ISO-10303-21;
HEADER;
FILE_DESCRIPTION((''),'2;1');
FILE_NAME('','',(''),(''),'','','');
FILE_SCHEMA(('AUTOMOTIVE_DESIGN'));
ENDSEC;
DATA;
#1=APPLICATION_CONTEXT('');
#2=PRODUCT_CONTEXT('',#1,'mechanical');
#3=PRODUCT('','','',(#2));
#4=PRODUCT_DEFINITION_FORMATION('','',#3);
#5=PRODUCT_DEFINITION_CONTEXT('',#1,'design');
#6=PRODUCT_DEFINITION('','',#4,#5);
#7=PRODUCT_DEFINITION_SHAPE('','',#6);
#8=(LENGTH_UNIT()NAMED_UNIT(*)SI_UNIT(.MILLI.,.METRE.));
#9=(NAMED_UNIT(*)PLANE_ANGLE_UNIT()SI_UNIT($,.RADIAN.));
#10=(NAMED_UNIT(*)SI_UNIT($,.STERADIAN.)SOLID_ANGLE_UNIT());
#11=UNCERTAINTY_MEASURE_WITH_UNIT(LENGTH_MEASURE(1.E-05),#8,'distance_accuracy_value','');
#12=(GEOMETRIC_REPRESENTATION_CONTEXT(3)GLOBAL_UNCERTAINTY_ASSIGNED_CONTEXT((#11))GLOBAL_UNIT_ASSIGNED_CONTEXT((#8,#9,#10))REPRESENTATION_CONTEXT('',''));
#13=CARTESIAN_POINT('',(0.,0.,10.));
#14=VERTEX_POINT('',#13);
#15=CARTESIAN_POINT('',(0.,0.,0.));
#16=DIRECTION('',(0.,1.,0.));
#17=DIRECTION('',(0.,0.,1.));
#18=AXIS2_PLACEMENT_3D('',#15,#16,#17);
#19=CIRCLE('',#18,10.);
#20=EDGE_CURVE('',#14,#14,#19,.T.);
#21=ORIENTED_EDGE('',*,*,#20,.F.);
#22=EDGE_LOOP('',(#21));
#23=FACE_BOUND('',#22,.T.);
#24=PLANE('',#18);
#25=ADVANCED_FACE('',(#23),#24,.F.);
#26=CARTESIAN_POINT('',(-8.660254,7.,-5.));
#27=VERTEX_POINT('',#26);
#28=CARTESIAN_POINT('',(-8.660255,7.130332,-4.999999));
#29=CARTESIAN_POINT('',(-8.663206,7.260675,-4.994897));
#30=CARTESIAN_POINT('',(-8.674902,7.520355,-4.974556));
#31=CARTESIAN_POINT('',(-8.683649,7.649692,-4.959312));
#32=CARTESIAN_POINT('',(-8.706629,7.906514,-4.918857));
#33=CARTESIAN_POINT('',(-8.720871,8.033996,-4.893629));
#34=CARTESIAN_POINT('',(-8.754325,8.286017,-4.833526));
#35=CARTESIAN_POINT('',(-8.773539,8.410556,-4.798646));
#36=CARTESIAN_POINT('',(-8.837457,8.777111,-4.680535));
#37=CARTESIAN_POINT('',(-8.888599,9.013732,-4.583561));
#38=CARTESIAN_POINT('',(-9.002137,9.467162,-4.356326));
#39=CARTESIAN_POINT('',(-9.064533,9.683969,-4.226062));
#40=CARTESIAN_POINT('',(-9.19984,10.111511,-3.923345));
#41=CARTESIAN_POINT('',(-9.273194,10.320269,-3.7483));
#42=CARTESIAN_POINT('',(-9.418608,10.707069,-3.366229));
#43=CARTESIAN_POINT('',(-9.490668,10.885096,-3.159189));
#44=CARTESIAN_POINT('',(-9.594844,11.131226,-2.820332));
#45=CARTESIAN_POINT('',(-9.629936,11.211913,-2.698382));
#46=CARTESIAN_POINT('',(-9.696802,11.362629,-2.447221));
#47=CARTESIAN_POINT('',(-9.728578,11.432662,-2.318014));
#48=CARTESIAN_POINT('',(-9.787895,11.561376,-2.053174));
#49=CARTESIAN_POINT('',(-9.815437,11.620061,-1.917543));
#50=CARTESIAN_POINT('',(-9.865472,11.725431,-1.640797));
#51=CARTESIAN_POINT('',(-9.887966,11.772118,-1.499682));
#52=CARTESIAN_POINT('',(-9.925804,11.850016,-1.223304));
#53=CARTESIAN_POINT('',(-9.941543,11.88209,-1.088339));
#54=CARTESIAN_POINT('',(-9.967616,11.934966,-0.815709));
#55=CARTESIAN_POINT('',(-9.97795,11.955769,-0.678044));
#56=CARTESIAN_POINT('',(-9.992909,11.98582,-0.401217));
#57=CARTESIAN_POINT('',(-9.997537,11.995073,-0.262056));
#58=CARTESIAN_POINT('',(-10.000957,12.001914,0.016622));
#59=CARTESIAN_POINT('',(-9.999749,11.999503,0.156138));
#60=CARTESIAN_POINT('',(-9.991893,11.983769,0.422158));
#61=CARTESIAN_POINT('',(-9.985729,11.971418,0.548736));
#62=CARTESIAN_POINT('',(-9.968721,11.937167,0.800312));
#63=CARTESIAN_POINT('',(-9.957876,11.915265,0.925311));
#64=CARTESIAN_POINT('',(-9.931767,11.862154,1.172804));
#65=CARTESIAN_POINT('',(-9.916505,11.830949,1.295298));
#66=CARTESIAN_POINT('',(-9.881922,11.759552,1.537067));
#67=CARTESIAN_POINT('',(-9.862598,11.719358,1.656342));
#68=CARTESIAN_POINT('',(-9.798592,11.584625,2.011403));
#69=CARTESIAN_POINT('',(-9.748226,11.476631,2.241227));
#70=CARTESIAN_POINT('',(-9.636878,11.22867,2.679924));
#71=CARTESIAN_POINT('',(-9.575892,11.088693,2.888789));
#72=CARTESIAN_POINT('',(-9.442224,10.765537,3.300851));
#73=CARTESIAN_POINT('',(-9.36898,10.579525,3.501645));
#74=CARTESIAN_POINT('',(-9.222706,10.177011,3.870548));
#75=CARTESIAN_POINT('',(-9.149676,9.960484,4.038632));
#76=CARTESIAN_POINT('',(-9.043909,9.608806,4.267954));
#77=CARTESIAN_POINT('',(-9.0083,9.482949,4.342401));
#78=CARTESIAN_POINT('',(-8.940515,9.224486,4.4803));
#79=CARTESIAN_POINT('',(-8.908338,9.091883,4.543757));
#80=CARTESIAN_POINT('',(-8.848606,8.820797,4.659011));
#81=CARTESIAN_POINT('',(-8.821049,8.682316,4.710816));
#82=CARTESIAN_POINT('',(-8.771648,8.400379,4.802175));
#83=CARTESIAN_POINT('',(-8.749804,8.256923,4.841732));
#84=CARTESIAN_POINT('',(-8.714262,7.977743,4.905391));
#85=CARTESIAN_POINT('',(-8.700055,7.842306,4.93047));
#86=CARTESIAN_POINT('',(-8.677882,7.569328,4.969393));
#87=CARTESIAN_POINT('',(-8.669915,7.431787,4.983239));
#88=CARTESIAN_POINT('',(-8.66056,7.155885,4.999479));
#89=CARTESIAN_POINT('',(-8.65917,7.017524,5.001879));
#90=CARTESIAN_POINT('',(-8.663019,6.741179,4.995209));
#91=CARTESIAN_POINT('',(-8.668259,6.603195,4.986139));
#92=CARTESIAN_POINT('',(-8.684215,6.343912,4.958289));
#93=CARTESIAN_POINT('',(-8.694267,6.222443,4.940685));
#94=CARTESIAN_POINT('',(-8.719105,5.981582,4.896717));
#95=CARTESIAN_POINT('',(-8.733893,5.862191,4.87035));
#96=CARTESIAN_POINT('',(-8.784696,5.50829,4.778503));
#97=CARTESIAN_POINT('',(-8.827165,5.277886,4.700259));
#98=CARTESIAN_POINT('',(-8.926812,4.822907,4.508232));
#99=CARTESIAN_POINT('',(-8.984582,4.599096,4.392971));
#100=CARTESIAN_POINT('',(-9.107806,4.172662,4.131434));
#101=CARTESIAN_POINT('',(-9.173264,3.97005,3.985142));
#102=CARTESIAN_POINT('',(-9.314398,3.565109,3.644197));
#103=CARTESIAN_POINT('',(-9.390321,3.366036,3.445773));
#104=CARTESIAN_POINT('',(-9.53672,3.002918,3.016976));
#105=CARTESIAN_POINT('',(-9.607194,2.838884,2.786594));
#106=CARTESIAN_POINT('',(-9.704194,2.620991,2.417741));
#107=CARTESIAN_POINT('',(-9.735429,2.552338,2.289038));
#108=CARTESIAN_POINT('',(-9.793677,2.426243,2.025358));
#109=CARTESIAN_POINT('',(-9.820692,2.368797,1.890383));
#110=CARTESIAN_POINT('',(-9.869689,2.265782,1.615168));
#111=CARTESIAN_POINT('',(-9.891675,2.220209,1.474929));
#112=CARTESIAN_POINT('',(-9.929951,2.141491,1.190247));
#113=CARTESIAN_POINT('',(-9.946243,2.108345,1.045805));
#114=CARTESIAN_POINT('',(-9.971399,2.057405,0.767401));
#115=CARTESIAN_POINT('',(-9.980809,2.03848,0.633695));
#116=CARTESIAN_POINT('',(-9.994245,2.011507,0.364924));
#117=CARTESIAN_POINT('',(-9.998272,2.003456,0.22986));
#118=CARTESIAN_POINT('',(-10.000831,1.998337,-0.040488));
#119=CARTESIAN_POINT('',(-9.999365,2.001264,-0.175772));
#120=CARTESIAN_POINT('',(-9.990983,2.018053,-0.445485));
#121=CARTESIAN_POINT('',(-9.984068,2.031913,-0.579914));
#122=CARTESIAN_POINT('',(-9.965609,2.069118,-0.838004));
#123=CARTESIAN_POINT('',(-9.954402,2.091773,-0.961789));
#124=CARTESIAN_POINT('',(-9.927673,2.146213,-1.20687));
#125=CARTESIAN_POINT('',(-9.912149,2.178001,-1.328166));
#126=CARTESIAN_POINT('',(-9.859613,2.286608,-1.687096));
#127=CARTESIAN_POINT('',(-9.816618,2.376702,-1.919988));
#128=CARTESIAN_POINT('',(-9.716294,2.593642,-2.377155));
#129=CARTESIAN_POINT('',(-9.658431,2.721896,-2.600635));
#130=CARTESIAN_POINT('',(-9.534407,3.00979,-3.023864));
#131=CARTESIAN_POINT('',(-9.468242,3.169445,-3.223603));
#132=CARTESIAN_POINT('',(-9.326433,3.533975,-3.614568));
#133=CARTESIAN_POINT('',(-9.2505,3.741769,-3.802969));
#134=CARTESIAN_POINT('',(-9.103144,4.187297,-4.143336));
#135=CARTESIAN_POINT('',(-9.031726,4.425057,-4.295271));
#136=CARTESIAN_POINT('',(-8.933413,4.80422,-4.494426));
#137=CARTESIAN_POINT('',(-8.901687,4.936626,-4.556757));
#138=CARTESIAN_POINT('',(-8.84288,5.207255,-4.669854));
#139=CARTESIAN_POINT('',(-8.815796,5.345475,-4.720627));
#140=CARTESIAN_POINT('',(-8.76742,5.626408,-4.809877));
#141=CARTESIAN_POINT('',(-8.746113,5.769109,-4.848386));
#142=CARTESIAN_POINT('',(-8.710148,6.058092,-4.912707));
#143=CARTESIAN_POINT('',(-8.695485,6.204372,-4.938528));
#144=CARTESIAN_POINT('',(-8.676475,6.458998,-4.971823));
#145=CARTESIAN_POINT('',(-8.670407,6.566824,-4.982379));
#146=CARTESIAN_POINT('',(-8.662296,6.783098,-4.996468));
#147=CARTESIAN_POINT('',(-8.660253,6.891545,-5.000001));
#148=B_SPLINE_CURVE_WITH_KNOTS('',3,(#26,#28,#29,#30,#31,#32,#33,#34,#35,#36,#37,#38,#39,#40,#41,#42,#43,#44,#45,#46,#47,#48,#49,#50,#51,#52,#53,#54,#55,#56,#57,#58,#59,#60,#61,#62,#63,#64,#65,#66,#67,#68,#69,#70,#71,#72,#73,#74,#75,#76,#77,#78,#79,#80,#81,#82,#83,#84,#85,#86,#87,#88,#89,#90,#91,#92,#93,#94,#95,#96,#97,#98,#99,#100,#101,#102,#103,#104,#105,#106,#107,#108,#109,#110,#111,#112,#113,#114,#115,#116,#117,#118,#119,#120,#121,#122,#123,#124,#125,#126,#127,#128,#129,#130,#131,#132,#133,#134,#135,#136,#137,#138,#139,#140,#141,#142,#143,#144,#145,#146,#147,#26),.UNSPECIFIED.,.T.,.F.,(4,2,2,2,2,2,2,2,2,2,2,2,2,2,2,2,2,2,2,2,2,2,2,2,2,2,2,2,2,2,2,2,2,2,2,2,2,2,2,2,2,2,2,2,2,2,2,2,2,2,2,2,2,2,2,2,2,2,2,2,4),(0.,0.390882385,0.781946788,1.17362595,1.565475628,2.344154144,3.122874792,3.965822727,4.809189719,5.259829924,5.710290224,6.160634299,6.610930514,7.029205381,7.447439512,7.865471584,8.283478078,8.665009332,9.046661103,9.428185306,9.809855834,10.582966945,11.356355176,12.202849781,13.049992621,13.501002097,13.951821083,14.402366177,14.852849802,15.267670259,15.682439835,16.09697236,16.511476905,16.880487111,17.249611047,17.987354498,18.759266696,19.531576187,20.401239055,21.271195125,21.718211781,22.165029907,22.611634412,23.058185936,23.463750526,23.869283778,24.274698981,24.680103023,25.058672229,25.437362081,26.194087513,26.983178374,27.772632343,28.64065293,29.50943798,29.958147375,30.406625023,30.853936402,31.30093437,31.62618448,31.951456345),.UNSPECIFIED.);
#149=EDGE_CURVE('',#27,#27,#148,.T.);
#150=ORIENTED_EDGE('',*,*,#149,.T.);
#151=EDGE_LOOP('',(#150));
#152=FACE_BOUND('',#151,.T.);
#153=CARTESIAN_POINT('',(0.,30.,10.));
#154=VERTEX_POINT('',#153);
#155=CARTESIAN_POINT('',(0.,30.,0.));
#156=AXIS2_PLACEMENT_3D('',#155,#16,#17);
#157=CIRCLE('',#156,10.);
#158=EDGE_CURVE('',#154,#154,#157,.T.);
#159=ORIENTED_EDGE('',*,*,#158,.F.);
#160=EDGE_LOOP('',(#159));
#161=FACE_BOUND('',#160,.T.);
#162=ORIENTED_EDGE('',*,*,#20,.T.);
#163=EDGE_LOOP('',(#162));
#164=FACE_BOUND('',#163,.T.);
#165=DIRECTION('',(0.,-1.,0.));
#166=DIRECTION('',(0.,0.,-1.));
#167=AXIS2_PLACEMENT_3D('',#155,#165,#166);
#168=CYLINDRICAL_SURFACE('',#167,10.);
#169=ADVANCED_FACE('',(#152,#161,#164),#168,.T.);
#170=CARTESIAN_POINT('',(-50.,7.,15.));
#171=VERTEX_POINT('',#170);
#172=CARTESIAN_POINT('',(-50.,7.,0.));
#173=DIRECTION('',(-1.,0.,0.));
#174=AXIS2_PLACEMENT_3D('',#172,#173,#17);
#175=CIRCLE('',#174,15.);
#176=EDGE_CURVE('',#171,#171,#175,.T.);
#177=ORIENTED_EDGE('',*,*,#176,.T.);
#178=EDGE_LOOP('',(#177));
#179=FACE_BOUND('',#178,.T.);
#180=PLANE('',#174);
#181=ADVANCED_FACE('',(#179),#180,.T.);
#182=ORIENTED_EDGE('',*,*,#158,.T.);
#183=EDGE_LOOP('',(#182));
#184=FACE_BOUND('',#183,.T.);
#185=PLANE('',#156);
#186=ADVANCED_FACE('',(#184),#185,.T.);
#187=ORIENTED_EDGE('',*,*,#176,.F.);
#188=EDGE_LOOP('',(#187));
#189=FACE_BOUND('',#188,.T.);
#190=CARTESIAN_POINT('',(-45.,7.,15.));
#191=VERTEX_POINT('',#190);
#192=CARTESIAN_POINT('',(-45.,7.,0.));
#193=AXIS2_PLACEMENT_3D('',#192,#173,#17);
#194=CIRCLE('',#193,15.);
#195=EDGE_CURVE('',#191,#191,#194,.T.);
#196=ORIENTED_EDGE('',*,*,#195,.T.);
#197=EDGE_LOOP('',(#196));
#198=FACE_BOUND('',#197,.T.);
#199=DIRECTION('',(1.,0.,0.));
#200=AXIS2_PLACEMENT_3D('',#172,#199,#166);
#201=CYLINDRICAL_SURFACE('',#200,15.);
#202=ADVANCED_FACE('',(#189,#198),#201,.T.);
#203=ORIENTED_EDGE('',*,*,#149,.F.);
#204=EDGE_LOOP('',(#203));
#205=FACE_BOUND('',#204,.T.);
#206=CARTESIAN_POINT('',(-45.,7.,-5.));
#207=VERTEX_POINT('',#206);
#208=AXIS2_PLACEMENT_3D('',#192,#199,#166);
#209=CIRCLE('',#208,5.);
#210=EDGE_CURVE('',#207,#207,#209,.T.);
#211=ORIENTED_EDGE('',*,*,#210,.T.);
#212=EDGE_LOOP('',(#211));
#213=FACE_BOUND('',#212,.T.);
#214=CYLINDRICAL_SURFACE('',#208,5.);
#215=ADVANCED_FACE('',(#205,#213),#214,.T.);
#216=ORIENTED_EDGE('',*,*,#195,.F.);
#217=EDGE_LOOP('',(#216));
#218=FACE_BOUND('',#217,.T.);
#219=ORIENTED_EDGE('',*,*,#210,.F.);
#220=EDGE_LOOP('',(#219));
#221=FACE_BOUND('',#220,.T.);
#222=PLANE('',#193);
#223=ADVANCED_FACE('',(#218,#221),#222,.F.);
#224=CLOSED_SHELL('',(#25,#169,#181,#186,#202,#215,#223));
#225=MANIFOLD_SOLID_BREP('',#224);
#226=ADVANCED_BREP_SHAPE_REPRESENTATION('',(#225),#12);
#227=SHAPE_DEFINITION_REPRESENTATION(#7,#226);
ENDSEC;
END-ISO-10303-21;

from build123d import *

# Parameters (mm, degrees)
SKETCH_1_R      = 10
EXTRUDE_1_DEPTH = 30
SKETCH_3_R      = 5
EXTRUDE_3_DEPTH = 45
SKETCH_4_R      = 15
EXTRUDE_4_DEPTH = 5


with BuildPart() as part:
    # 草图1 → 凸台-拉伸1 (new body)
    with BuildSketch(Plane(origin=(0, 0, 0), x_dir=(1, 0, 0), z_dir=(0, 1, 0))):
        with Locations(Location((0, 0, 0), (0, 0, 270))):
            Circle(SKETCH_1_R)
    extrude(amount=EXTRUDE_1_DEPTH)

    # 草图3 → 凸台-拉伸3 (add)
    with BuildSketch(Plane(origin=(0, 0, 0), x_dir=(0, 0, -1), z_dir=(1, 0, 0))):
        with Locations((0, 7)):
            Circle(SKETCH_3_R)
    extrude(amount=-EXTRUDE_3_DEPTH)

    # 草图4 → 凸台-拉伸4 (add)
    with BuildSketch(Plane.ZY.offset(45)):
        with Locations((0, 7)):
            Circle(SKETCH_4_R)
    extrude(amount=EXTRUDE_4_DEPTH)


solid = part.part
